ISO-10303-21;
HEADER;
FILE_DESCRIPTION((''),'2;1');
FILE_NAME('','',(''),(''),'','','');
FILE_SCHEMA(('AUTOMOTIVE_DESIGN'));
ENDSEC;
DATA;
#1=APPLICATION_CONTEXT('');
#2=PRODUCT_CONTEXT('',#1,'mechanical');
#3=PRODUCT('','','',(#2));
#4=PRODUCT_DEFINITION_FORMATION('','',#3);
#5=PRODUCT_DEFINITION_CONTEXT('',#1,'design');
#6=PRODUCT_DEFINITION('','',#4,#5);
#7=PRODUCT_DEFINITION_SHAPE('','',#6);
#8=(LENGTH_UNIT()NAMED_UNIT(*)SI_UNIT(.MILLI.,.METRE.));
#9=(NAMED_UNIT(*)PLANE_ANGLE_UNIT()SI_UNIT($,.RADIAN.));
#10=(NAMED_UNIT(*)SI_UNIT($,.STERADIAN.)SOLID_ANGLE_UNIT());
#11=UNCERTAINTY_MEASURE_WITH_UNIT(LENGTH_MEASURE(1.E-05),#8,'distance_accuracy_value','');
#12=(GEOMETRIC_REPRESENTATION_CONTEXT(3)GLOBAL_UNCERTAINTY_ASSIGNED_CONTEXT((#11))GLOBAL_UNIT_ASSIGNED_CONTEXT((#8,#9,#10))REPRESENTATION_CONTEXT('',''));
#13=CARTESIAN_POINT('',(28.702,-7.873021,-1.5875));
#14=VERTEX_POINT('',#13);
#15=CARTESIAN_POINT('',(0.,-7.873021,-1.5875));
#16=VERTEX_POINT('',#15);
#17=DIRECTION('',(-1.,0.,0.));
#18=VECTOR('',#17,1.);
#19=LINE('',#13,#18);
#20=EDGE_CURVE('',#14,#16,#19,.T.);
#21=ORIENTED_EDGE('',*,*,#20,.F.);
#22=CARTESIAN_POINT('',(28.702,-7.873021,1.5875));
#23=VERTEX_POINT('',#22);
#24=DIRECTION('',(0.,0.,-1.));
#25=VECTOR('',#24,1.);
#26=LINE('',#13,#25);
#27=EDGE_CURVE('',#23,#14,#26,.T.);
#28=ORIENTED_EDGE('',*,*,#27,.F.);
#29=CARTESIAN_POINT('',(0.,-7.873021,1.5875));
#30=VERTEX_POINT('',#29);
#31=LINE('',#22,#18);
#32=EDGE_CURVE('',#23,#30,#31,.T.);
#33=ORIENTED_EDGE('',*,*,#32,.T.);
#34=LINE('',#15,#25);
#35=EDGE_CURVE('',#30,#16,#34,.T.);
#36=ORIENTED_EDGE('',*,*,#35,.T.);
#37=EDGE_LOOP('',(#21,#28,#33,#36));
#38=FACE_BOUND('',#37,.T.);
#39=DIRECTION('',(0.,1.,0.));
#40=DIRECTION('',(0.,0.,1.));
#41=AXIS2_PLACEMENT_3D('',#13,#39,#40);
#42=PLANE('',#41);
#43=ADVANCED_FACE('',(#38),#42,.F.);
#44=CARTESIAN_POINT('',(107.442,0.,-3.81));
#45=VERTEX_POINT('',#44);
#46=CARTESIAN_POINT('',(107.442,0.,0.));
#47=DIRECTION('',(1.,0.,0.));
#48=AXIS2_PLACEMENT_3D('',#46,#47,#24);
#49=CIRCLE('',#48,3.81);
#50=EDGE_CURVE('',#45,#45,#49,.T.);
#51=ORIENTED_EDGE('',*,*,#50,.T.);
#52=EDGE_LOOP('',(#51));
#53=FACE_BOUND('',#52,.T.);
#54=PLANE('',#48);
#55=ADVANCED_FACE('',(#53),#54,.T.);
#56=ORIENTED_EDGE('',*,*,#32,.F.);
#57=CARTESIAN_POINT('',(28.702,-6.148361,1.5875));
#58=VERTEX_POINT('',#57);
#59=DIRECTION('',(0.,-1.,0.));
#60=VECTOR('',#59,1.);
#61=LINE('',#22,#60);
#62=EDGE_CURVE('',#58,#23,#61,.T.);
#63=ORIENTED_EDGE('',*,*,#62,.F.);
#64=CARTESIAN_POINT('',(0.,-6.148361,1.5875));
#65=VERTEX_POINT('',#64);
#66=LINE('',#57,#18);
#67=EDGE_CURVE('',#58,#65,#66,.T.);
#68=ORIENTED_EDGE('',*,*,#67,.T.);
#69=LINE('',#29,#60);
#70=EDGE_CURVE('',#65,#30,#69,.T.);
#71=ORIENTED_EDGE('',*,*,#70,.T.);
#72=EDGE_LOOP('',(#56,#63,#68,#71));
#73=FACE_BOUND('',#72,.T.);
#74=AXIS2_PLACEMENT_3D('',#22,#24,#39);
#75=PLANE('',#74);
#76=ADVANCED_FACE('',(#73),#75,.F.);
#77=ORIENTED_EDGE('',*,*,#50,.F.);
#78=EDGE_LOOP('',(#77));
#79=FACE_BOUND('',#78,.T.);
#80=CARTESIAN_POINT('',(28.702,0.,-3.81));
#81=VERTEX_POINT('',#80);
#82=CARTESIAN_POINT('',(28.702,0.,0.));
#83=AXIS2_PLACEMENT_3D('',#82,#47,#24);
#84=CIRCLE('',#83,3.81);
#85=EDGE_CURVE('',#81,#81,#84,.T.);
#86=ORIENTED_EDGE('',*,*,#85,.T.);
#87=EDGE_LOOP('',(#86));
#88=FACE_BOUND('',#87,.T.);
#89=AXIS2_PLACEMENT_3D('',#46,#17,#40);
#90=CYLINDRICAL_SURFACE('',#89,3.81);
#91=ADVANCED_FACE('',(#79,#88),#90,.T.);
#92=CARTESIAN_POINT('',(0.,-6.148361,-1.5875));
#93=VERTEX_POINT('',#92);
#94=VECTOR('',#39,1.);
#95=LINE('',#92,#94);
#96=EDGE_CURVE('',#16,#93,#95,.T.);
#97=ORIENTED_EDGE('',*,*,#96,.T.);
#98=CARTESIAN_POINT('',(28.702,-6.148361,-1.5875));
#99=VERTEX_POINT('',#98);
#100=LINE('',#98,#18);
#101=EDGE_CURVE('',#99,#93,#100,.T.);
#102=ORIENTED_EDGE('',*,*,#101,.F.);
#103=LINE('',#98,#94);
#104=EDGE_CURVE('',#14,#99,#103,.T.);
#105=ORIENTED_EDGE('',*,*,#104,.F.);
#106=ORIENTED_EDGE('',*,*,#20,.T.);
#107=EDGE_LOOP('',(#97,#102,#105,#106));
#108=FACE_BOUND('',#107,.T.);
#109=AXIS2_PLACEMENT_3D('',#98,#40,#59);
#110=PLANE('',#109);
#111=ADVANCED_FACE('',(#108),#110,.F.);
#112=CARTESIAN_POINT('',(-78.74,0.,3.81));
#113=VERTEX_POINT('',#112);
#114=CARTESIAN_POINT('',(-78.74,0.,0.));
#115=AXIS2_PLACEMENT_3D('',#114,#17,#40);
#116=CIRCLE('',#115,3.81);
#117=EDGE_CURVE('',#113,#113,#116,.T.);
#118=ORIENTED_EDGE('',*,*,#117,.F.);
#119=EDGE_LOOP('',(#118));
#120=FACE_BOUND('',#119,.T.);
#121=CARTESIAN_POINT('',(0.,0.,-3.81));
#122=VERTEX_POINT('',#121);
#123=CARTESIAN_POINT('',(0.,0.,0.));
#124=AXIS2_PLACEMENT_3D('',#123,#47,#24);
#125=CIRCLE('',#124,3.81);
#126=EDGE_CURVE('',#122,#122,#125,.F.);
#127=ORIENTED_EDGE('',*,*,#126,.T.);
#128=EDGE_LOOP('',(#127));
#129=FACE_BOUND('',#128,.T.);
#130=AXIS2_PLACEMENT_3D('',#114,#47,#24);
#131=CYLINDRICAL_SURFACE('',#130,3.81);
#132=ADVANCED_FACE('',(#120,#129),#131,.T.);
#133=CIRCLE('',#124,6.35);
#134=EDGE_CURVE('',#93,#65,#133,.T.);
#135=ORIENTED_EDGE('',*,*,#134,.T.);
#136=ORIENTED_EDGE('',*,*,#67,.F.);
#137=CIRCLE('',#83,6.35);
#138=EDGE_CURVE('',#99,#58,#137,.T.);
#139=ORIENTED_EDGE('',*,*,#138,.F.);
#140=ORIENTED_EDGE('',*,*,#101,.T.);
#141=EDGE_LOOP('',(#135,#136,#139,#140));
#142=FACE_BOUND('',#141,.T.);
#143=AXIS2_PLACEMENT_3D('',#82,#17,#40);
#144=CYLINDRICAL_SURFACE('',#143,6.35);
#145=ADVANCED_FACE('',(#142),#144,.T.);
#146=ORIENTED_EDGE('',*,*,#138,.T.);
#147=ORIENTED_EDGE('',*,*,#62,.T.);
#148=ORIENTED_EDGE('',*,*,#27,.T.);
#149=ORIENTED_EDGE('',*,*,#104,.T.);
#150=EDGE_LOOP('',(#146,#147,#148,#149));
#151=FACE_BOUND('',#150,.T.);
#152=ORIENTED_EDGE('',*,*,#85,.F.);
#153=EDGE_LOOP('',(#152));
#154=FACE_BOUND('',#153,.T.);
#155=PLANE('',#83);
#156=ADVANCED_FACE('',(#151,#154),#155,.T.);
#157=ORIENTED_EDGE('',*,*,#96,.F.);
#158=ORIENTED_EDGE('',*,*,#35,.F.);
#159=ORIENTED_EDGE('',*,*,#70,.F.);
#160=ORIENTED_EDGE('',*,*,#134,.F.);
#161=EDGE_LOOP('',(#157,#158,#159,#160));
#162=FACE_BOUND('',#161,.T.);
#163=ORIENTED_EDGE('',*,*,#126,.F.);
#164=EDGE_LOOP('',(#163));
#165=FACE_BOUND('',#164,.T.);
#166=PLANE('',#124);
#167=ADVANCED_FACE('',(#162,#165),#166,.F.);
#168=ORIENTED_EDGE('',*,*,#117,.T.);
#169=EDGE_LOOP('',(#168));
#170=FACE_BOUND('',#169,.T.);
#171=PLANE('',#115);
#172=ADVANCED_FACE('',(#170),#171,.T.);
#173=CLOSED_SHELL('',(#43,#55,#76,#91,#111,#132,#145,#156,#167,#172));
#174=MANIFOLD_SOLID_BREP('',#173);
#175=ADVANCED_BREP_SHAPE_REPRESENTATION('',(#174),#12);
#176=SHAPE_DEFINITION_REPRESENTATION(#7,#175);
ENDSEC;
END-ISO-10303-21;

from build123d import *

# Parameters (mm, degrees)
BOSS_EXTRUDE1_DEPTH = 28.702
SKETCH3_R           = 3.81
BOSS_EXTRUDE3_DEPTH = 78.74
BOSS_EXTRUDE4_START = 78.74
SKETCH4_R           = 3.81
BOSS_EXTRUDE4_DEPTH = 78.74


with BuildPart() as part:
    # Sketch1 → Boss-Extrude1 (new body)
    with BuildSketch(Plane(origin=(0, 0, 0), x_dir=(0, 0, -1), z_dir=(1, 0, 0))):
        with BuildLine():
            Line((1.5875, -6.148361062), (1.5875, -7.873021062))
            Line((1.5875, -7.873021062), (-1.5875, -7.873021062))
            Line((-1.5875, -7.873021062), (-1.5875, -6.148361062))
            ThreePointArc((-1.5875, -6.148361062), (0, 6.35), (1.5875, -6.148361062))
        make_face()
    extrude(amount=BOSS_EXTRUDE1_DEPTH)

    # Sketch3 → Boss-Extrude3 (add)
    with BuildSketch(Plane(origin=(28.702, 0, 0), x_dir=(0, 0, -1), z_dir=(1, 0, 0))):
        Circle(SKETCH3_R)
    extrude(amount=BOSS_EXTRUDE3_DEPTH)

    # Sketch4 → Boss-Extrude4 (add)
    with BuildSketch(Plane.ZY.offset(BOSS_EXTRUDE4_START)):
        with Locations(Location((0, 0, 0), (0, 0, 180))):
            Circle(SKETCH4_R)
    extrude(amount=-BOSS_EXTRUDE4_DEPTH)


solid = part.part
